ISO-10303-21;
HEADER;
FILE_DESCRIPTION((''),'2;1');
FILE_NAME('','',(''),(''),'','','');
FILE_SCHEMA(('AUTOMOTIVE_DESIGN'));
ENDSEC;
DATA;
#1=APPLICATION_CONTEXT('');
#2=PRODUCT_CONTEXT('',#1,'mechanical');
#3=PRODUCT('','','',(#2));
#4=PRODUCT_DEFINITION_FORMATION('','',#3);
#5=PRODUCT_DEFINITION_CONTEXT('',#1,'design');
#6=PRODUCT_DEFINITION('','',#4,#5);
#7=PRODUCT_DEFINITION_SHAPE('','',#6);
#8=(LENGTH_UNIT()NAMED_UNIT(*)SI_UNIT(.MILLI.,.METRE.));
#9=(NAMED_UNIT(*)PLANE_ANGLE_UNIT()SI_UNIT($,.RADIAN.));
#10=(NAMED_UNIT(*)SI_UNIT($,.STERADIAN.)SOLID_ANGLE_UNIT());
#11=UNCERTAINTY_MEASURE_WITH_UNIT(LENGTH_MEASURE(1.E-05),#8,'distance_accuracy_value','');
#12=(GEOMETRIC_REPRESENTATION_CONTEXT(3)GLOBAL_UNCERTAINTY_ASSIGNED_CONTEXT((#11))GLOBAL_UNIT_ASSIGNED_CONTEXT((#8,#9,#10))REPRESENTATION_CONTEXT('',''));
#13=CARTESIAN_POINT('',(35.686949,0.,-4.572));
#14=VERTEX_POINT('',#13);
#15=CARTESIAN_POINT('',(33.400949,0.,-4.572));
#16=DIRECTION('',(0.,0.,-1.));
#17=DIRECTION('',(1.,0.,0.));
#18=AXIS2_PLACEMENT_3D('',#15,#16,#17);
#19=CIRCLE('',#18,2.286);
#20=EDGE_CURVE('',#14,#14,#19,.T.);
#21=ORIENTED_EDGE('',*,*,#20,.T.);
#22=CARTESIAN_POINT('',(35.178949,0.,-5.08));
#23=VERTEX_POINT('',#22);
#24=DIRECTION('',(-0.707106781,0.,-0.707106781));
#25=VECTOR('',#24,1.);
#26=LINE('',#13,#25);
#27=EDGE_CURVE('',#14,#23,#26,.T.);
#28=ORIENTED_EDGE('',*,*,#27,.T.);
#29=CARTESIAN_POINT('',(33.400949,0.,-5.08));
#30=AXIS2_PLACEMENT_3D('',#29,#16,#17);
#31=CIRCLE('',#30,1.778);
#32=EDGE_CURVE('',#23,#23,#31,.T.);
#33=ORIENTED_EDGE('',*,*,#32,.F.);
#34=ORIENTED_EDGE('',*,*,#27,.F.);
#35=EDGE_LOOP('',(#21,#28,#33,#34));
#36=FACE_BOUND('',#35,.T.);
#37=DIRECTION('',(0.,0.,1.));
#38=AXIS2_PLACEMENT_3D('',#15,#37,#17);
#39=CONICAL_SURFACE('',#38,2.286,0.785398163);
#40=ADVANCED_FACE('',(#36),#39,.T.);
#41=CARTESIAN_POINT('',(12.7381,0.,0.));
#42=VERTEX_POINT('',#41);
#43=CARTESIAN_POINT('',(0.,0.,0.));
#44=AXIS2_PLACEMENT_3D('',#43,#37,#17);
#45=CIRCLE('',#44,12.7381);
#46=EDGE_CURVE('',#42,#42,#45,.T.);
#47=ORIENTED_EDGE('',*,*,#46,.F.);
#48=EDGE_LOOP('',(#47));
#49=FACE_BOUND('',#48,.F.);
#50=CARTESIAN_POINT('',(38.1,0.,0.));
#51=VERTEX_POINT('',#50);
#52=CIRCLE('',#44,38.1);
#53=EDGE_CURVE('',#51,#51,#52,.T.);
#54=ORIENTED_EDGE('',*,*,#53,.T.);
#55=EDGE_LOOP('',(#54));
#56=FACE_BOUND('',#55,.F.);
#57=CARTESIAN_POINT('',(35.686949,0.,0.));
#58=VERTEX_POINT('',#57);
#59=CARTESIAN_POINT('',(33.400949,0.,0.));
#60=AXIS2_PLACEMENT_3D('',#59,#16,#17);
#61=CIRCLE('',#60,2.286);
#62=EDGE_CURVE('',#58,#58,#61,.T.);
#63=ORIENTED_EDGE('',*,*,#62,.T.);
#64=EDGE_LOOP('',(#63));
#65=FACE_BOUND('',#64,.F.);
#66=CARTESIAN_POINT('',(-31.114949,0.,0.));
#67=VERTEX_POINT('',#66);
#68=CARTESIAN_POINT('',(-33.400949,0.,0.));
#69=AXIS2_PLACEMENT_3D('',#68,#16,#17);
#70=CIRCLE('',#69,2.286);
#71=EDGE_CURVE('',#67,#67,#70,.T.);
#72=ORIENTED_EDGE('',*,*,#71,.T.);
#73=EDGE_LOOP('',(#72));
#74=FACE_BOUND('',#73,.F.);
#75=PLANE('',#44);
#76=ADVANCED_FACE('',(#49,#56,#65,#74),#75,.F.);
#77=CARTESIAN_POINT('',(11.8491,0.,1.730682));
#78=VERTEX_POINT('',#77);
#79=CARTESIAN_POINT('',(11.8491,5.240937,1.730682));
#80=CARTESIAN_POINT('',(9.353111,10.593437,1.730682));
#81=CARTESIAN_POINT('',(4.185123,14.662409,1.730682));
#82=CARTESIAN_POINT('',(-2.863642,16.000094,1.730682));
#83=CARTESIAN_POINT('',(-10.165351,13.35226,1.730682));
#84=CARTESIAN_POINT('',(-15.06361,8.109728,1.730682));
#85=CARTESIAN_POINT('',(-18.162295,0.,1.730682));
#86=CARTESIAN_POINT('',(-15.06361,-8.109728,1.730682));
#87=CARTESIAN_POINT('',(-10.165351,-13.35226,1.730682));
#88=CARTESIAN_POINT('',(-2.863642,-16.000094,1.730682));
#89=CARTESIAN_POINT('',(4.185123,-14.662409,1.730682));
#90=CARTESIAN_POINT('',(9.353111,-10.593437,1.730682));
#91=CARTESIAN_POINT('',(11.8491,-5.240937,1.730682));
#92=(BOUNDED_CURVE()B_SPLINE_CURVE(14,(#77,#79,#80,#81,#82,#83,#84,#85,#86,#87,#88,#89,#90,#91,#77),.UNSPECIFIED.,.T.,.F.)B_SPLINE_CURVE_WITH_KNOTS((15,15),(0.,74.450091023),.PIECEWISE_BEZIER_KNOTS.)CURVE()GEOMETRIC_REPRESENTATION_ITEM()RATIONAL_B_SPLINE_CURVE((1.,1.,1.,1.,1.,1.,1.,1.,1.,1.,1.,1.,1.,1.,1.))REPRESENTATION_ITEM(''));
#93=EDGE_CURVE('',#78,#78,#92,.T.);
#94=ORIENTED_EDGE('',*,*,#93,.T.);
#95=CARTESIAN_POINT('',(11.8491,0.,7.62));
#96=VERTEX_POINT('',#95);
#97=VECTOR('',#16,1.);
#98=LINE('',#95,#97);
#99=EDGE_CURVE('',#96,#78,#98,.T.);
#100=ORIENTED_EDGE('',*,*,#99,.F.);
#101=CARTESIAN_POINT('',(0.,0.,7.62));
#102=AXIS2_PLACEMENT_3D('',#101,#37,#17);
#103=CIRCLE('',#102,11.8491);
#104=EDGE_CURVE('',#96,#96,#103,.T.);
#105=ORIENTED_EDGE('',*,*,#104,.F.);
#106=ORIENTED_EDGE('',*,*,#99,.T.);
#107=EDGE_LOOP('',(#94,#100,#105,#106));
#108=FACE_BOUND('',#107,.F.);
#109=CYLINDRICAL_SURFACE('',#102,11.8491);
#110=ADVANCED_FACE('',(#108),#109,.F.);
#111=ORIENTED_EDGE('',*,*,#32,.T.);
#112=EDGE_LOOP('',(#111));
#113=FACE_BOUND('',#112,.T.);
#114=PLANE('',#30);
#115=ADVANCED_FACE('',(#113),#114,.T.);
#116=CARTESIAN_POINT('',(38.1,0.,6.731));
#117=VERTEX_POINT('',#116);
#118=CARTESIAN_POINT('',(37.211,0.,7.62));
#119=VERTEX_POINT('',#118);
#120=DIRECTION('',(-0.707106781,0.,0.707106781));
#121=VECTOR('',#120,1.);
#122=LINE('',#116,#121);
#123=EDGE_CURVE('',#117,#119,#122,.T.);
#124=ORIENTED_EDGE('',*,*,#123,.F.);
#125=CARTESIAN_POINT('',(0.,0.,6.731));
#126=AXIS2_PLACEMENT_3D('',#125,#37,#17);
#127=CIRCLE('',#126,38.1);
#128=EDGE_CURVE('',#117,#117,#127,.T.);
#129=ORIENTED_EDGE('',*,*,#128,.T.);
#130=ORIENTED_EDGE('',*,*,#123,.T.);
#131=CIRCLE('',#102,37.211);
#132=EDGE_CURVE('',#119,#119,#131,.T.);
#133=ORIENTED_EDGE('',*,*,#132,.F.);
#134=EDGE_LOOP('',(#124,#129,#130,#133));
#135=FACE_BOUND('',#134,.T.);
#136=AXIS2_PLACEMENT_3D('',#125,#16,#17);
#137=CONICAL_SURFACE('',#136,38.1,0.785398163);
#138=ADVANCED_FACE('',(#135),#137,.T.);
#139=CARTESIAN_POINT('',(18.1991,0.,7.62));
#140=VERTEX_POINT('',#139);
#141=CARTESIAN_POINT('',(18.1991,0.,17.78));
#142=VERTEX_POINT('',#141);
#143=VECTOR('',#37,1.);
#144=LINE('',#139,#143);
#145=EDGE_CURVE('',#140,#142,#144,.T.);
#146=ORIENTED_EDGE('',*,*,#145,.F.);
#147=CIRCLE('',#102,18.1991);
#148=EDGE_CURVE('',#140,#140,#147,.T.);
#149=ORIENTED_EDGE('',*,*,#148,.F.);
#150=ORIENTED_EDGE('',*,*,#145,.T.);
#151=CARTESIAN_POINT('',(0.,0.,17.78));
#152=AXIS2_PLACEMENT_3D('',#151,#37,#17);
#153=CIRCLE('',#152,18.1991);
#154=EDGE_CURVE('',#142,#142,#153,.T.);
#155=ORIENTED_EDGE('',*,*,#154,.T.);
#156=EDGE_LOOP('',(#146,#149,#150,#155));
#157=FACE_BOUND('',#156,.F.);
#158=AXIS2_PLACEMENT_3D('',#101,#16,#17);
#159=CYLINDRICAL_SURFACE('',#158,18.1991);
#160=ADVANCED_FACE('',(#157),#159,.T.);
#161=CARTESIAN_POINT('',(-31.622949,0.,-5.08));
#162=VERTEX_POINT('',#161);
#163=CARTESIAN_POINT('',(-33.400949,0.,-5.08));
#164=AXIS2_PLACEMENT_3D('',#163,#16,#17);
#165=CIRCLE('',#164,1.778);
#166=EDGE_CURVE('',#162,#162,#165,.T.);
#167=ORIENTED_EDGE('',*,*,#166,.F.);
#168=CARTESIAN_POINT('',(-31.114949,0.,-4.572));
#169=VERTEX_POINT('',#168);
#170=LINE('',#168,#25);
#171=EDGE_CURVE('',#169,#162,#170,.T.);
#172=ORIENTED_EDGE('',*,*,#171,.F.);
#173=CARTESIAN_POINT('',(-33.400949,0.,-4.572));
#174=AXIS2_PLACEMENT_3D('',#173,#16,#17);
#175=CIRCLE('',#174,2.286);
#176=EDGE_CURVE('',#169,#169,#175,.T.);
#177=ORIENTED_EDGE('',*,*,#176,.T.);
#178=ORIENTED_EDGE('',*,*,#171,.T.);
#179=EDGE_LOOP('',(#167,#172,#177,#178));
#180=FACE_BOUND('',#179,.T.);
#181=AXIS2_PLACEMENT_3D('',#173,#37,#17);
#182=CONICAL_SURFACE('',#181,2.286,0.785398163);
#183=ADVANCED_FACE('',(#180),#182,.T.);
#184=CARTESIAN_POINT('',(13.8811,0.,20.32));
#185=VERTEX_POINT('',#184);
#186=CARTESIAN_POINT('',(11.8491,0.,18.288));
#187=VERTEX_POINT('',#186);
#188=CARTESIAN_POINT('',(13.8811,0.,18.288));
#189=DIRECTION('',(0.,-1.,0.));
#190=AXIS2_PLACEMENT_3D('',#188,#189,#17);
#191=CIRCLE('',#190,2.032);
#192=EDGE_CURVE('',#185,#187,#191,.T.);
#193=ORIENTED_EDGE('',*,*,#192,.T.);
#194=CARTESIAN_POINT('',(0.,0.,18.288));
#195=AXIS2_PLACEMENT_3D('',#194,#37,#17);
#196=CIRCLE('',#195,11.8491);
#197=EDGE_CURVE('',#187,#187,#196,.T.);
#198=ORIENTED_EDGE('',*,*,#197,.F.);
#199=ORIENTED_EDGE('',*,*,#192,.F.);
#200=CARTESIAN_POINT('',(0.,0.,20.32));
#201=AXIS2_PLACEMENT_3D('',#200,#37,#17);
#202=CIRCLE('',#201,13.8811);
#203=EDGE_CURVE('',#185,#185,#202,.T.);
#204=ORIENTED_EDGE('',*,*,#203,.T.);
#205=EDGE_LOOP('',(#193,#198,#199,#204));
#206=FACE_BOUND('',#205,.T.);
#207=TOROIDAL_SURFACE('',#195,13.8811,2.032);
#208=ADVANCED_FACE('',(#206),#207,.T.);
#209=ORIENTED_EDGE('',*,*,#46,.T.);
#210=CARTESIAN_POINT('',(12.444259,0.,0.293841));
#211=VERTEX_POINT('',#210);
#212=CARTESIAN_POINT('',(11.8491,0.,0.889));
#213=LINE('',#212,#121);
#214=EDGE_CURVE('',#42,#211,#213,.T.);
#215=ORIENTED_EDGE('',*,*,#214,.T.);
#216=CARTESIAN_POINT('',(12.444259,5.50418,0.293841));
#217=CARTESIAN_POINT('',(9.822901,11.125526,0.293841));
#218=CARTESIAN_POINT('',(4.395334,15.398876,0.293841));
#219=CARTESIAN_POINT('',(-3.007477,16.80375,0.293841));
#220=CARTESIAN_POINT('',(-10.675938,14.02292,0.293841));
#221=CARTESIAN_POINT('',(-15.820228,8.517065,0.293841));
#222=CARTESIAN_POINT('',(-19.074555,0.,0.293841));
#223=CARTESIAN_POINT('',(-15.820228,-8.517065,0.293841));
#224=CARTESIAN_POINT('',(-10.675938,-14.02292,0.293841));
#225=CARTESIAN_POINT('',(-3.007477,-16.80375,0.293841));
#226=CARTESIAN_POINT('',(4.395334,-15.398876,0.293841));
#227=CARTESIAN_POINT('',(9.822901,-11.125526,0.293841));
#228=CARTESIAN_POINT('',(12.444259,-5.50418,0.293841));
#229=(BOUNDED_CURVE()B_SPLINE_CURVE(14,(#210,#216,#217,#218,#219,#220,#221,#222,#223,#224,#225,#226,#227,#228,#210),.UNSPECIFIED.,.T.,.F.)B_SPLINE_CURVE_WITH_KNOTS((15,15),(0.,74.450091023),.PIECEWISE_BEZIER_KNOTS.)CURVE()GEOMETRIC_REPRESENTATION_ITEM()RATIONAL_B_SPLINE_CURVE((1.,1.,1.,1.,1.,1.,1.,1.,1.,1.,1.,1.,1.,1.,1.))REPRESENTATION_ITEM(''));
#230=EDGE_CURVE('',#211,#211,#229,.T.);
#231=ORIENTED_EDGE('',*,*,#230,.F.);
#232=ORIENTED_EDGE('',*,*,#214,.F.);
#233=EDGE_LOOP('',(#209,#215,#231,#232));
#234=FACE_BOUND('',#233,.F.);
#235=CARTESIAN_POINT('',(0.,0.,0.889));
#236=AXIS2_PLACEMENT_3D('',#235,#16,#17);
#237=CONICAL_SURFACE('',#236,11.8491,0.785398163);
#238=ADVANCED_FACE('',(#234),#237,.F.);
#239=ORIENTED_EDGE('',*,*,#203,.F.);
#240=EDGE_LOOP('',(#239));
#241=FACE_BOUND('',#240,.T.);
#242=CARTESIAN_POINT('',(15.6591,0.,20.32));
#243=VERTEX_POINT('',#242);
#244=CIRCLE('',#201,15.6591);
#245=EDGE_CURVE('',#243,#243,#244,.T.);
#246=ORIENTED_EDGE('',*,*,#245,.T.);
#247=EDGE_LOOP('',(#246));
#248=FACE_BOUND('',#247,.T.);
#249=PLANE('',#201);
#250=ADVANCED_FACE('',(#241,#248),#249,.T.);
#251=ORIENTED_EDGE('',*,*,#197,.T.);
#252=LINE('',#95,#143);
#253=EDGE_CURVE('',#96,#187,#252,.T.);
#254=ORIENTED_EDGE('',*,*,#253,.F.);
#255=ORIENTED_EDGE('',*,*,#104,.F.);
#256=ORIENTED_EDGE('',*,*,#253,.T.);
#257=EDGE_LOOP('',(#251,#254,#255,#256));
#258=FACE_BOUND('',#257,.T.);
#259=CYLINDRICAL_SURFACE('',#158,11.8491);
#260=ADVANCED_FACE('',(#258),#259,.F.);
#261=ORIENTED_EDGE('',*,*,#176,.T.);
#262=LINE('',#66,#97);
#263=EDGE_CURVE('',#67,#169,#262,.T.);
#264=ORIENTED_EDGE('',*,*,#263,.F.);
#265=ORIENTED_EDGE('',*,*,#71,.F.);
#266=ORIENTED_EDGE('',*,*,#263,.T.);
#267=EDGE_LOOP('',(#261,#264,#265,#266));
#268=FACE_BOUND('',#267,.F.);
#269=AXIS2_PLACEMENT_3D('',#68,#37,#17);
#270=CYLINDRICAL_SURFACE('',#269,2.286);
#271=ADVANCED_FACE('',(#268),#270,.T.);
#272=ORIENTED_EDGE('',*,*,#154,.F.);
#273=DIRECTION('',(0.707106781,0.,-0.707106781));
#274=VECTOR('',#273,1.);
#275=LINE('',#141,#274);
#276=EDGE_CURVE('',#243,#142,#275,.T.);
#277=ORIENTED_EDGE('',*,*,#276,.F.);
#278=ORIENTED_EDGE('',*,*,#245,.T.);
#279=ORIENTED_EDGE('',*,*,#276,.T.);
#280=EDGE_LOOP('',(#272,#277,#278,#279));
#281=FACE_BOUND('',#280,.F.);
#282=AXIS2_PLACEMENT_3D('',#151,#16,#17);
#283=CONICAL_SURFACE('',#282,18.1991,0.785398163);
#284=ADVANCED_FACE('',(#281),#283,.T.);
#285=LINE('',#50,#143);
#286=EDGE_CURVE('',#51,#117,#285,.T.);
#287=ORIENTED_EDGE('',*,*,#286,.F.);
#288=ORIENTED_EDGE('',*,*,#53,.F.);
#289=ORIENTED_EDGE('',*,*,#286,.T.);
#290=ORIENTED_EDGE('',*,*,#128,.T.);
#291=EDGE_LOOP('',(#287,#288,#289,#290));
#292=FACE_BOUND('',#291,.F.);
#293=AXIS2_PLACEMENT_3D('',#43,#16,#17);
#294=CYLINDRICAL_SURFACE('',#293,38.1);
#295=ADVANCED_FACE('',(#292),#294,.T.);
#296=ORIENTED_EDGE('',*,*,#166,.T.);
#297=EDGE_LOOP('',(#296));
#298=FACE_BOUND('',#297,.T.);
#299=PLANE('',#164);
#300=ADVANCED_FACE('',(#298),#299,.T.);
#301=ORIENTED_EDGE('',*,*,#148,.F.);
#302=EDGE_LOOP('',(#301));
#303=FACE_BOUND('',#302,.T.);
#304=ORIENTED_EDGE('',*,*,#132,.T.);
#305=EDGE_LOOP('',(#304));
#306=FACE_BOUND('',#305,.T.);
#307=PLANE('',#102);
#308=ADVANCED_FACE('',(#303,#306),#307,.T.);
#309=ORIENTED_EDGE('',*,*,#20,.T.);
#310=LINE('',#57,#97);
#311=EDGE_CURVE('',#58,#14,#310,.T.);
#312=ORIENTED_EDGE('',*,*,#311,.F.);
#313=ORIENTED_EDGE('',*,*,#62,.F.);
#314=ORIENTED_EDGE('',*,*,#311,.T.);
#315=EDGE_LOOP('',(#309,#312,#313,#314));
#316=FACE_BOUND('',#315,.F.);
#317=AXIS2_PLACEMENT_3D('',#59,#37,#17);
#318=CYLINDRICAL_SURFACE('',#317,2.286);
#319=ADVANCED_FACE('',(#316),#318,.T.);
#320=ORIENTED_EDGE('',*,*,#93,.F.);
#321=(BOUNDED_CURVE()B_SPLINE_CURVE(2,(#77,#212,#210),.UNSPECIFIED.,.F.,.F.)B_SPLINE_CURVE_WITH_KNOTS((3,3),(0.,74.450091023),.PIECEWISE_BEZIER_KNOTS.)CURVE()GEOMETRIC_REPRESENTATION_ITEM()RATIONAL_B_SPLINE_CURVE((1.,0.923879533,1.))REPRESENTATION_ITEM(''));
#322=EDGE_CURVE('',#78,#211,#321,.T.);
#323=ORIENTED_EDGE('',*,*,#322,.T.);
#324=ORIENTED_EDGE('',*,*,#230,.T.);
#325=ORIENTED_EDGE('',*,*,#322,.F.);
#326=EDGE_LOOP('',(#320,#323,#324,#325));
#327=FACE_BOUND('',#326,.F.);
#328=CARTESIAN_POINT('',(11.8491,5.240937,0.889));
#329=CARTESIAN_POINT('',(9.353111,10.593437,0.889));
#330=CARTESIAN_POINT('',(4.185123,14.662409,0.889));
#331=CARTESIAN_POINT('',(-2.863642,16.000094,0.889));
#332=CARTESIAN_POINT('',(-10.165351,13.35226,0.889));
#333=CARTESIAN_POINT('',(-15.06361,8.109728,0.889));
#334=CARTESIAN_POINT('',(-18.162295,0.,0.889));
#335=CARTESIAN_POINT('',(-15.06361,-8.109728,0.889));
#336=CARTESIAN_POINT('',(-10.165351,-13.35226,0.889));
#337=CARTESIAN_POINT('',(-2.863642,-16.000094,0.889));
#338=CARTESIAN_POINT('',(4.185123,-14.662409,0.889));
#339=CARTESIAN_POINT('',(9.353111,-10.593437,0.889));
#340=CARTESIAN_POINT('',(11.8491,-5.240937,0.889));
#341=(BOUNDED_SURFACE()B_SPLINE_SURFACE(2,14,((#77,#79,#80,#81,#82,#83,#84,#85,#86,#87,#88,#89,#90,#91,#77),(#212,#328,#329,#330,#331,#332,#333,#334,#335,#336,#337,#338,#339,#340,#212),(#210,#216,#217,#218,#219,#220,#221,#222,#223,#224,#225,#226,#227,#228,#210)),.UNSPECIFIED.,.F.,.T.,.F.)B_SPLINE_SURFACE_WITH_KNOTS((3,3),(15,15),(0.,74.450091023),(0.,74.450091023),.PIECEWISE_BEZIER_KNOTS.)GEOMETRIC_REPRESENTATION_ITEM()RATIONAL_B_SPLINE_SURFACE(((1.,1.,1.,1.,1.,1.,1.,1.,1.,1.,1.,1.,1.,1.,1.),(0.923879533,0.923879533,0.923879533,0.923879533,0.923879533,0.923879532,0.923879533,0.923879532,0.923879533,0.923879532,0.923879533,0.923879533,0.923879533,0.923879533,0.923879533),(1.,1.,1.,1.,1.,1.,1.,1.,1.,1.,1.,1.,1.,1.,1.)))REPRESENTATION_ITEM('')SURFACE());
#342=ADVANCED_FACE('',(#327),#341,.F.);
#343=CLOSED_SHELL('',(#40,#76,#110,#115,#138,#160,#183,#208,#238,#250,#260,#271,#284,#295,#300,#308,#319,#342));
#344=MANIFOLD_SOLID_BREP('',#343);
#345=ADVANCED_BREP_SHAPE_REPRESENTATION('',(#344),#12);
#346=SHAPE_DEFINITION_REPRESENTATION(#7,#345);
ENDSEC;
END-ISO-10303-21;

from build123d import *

# Parameters (mm, degrees)
F0_R     = 38.1
F1_DEPTH = 7.62
F2_R     = 11.8491
F3_DEPTH = 7.621
F4_SIZE  = 0.889
F5_R     = 2.286
F6_DEPTH = 5.08
F7_SIZE  = 0.508
F8_R     = 18.1991
F8_R_2   = 11.8491
F9_DEPTH = 12.7
F10_R    = 2.032
F11_SIZE = 2.54


with BuildPart() as f1:
    # F0 (on Top) → F1 (new body)
    with BuildSketch(Plane.XY):
        Circle(F0_R)
    extrude(amount=F1_DEPTH)

    # F2 (on face) → F3 (cut, through all)
    with BuildSketch(Plane.XY.offset(7.62)):
        Circle(F2_R)
    extrude(amount=-F3_DEPTH, mode=Mode.SUBTRACT)

    # F4
    f4_edges = [f1.edges().sort_by_distance(p)[0] for p in [
        (-38.1, 0, 7.62),
        (-11.8491, 0, 0),
    ]]
    chamfer(f4_edges, length=F4_SIZE)

    # F5 (on face) → F6 (join)
    with BuildSketch(Plane(origin=(0, 0, 0), x_dir=(1, 0, 0), z_dir=(0, 0, -1))):
        with Locations((-33.4009492, 0)):
            Circle(F5_R)
        with Locations((33.4009492, 0)):
            Circle(F5_R)
    extrude(amount=F6_DEPTH)

    # F7
    f7_edges = [f1.edges().sort_by_distance(p)[0] for p in [
        (31.114949, 0, -5.08),
        (-35.686949, 0, -5.08),
    ]]
    chamfer(f7_edges, length=F7_SIZE)

    # F8 (on face) → F9 (join)
    with BuildSketch(Plane.XY.offset(7.62)):
        Circle(F8_R)
        Circle(F8_R_2, mode=Mode.SUBTRACT)
    extrude(amount=F9_DEPTH)

    # F10
    f10_edges = [f1.edges().sort_by_distance(p)[0] for p in [
        (-11.8491, 0, 7.62),
        (11.8491, 0, 4.2545),
        (-11.8491, 0, 0.889),
        (11.8491, 0, 13.97),
        (-11.8491, 0, 20.32),
    ]]
    fillet(f10_edges, radius=F10_R)

    # F11
    f11_edges = [f1.edges().sort_by_distance(p)[0] for p in [
        (-18.1991, 0, 20.32),
    ]]
    chamfer(f11_edges, length=F11_SIZE)


solid = f1.part
